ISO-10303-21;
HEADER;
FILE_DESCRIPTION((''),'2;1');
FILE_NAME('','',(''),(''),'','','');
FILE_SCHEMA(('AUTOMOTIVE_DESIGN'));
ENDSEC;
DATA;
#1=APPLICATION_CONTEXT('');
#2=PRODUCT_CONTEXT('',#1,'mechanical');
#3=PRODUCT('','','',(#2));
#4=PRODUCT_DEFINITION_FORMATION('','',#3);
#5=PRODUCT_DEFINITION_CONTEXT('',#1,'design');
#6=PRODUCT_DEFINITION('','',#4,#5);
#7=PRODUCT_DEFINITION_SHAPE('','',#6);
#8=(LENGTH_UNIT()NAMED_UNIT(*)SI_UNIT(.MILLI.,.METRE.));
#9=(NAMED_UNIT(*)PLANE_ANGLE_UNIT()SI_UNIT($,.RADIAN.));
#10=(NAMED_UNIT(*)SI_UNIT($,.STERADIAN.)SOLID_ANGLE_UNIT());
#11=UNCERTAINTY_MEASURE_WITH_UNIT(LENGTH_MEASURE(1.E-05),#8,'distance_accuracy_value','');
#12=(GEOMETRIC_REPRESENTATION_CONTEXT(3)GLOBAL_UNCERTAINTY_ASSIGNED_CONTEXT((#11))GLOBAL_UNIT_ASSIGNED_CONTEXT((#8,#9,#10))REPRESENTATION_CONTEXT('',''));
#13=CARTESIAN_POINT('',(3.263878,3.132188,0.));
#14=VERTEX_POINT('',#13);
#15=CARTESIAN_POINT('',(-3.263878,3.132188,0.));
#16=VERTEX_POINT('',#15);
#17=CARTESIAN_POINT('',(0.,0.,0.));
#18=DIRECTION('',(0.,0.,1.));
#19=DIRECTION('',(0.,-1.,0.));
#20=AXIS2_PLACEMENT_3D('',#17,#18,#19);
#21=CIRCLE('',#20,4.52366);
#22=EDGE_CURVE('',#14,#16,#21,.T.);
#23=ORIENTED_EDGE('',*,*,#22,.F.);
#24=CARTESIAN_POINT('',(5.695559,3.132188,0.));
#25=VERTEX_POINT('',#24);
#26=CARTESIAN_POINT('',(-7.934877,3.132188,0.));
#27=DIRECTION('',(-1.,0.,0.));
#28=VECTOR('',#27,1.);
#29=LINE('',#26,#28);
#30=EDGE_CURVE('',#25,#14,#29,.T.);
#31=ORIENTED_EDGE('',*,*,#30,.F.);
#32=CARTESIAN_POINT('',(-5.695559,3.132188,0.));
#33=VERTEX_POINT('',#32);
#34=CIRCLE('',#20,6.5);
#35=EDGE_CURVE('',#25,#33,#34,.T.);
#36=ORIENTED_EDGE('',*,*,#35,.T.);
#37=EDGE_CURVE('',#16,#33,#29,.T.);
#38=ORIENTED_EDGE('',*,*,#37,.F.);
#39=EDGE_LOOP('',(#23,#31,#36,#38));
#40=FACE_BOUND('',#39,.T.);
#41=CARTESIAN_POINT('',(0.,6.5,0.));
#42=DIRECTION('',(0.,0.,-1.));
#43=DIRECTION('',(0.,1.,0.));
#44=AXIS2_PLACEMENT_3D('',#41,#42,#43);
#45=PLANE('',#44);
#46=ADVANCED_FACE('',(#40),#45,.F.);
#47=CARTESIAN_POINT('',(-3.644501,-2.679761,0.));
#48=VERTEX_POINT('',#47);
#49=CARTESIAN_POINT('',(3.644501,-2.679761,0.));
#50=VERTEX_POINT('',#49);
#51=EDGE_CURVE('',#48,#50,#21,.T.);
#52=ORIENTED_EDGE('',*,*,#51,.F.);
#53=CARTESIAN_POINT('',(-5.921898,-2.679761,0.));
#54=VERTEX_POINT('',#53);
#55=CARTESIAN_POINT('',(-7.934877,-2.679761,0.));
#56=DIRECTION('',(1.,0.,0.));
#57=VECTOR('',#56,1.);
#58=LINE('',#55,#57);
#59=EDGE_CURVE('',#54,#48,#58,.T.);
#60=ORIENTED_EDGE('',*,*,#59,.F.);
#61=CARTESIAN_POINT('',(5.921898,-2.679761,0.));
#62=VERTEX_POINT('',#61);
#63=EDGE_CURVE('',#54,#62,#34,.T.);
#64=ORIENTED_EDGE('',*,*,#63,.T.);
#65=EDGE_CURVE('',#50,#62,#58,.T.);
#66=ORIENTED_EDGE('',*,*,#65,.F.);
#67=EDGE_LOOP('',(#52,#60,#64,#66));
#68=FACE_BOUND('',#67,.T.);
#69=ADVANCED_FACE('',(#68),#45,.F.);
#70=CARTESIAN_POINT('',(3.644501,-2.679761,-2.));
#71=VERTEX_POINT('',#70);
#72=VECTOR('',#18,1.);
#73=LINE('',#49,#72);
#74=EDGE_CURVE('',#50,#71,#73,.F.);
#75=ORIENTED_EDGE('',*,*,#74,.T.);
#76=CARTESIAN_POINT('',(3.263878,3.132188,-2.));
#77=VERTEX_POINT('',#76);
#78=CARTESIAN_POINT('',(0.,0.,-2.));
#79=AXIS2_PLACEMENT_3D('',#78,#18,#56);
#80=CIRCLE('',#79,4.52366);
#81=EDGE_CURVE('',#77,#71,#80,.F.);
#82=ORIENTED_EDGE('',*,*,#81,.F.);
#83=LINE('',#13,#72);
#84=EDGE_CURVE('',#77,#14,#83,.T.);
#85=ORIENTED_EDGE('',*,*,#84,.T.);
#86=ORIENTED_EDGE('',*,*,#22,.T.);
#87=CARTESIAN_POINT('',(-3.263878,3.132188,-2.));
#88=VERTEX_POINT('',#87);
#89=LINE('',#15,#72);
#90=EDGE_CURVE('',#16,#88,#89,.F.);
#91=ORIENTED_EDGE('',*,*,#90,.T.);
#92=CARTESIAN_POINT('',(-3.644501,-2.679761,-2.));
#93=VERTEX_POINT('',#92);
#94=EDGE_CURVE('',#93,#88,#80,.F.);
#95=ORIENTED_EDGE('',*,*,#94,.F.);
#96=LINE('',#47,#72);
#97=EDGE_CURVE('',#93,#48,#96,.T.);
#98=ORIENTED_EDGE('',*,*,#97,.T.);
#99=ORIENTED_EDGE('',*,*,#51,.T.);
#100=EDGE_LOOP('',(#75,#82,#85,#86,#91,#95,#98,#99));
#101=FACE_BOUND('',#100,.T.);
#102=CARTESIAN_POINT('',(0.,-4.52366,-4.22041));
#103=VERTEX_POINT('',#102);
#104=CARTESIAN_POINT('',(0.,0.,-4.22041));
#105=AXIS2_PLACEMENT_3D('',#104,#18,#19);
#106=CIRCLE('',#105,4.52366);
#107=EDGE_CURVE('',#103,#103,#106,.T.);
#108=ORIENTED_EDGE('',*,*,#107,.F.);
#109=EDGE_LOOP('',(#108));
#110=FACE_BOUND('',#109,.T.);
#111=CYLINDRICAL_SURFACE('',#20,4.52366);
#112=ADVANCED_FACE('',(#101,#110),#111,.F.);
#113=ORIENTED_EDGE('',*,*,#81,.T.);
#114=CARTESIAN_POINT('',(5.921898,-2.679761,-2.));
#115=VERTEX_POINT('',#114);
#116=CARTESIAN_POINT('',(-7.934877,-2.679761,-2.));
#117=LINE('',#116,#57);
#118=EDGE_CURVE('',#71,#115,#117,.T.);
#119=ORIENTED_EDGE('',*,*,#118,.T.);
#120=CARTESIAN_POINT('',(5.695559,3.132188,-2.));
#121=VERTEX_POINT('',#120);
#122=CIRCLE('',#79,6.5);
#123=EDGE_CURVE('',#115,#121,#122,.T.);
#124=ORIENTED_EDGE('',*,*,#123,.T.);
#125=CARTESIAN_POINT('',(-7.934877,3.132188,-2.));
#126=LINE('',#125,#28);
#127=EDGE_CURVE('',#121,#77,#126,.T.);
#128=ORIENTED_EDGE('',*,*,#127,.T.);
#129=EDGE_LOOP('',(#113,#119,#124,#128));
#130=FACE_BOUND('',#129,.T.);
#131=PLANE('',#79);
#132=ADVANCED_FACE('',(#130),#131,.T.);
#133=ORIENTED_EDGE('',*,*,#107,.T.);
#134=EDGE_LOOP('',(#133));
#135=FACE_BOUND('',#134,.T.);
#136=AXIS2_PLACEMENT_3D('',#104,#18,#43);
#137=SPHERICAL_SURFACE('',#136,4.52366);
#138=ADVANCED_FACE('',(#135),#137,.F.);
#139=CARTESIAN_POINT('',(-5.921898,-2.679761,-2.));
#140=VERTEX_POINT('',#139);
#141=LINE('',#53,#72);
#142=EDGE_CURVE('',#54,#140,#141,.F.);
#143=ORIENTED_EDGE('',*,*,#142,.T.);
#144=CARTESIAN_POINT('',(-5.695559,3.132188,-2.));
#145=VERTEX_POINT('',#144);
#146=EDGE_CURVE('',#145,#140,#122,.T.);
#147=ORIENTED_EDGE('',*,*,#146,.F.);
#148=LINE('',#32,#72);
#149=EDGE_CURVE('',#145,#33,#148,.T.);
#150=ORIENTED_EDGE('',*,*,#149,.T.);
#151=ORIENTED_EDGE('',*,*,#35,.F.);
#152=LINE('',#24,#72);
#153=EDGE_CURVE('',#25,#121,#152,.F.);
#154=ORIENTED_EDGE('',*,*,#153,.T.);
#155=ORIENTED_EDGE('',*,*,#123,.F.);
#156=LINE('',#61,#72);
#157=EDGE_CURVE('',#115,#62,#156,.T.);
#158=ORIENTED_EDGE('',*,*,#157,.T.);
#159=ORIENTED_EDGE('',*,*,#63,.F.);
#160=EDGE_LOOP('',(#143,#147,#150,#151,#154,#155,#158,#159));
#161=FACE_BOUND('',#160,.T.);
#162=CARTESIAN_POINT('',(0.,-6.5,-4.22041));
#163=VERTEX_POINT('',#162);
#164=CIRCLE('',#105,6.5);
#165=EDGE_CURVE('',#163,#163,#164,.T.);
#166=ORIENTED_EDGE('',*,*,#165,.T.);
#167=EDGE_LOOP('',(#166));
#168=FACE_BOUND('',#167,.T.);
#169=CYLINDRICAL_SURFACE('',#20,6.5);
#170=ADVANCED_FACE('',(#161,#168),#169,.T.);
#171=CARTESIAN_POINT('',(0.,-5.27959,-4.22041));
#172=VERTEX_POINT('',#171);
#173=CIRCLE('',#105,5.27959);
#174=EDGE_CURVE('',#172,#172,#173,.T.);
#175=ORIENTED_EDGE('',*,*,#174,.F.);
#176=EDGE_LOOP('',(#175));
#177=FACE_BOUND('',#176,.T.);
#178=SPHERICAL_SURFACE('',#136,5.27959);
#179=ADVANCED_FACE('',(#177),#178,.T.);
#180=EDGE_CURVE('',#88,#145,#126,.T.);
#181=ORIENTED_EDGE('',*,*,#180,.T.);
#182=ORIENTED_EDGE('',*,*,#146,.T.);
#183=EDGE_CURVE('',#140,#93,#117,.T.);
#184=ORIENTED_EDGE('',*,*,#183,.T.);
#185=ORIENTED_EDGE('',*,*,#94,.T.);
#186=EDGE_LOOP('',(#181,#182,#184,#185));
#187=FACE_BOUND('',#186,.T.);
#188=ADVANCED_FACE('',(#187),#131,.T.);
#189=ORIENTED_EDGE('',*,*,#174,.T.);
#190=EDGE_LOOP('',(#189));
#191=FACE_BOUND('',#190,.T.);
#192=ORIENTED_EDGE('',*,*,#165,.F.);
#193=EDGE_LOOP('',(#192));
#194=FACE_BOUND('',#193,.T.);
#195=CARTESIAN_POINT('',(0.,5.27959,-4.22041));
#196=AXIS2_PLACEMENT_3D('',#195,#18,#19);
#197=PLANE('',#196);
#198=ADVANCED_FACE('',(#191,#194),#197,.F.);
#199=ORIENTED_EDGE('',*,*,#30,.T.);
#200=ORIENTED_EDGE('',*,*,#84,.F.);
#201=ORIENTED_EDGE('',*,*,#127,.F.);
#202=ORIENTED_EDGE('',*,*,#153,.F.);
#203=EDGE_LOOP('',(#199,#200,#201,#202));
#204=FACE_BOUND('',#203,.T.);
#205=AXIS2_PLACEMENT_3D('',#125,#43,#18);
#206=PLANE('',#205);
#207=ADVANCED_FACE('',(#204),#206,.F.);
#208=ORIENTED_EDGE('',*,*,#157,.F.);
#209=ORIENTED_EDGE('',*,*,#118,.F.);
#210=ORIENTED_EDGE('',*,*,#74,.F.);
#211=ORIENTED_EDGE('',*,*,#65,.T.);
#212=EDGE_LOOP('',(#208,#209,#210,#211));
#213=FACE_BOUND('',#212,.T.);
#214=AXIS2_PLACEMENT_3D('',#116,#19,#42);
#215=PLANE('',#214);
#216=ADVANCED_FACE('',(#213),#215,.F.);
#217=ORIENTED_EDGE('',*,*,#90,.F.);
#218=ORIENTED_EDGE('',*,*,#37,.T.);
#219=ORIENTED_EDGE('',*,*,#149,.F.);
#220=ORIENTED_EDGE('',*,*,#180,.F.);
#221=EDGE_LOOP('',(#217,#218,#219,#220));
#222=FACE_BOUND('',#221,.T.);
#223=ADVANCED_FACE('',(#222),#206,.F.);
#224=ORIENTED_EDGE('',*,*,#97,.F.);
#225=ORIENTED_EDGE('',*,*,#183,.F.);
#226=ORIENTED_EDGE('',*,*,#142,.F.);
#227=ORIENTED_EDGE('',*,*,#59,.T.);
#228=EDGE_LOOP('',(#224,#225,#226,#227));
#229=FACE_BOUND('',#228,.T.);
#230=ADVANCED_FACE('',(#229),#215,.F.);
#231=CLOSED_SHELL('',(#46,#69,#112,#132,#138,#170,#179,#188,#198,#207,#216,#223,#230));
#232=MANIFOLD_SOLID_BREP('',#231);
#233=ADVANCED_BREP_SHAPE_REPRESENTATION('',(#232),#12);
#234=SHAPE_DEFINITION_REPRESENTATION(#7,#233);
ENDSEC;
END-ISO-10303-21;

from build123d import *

# Parameters (mm, degrees)
ESBO_O2_W             = 15.991560494
ESBO_O2_H             = 5.81194908
CORTE_EXTRUS_O1_DEPTH = 2


with BuildPart() as part:
    # Esboço1 → Revolução1 (revolve)
    with BuildSketch(Plane(origin=(0, 0, 0), x_dir=(0, 0, -1), z_dir=(1, 0, 0))):
        with BuildLine():
            Line((4.220409826, 6.5), (0, 6.5))
            Line((0, 6.5), (0, 5.93167583))
            Line((0, 5.93167583), (0, 4.523660393))
            Line((0, 4.523660393), (3.444296294, 4.523660393))
            Line((3.444296294, 4.523660393), (4.220409826, 4.523660393))
            ThreePointArc((4.220409826, 4.523660393), (7.419120765, 3.198710939), (8.744070218, 0))
            Line((8.744070218, 0), (9.5, 0))
            ThreePointArc((9.5, 0), (7.95364384, 3.733234014), (4.220409826, 5.279590174))
            Line((4.220409826, 5.279590174), (4.220409826, 6.5))
        make_face()
    revolve(axis=Axis((0, 0, 0), (0, 0, -1)))

    # Esboço2 → Corte-extrusão1 (cut)
    with BuildSketch(Plane.XY):
        with Locations((0.060903658, 0.226213587)):
            Rectangle(ESBO_O2_W, ESBO_O2_H)
    extrude(amount=-CORTE_EXTRUS_O1_DEPTH, mode=Mode.SUBTRACT)


solid = part.part
